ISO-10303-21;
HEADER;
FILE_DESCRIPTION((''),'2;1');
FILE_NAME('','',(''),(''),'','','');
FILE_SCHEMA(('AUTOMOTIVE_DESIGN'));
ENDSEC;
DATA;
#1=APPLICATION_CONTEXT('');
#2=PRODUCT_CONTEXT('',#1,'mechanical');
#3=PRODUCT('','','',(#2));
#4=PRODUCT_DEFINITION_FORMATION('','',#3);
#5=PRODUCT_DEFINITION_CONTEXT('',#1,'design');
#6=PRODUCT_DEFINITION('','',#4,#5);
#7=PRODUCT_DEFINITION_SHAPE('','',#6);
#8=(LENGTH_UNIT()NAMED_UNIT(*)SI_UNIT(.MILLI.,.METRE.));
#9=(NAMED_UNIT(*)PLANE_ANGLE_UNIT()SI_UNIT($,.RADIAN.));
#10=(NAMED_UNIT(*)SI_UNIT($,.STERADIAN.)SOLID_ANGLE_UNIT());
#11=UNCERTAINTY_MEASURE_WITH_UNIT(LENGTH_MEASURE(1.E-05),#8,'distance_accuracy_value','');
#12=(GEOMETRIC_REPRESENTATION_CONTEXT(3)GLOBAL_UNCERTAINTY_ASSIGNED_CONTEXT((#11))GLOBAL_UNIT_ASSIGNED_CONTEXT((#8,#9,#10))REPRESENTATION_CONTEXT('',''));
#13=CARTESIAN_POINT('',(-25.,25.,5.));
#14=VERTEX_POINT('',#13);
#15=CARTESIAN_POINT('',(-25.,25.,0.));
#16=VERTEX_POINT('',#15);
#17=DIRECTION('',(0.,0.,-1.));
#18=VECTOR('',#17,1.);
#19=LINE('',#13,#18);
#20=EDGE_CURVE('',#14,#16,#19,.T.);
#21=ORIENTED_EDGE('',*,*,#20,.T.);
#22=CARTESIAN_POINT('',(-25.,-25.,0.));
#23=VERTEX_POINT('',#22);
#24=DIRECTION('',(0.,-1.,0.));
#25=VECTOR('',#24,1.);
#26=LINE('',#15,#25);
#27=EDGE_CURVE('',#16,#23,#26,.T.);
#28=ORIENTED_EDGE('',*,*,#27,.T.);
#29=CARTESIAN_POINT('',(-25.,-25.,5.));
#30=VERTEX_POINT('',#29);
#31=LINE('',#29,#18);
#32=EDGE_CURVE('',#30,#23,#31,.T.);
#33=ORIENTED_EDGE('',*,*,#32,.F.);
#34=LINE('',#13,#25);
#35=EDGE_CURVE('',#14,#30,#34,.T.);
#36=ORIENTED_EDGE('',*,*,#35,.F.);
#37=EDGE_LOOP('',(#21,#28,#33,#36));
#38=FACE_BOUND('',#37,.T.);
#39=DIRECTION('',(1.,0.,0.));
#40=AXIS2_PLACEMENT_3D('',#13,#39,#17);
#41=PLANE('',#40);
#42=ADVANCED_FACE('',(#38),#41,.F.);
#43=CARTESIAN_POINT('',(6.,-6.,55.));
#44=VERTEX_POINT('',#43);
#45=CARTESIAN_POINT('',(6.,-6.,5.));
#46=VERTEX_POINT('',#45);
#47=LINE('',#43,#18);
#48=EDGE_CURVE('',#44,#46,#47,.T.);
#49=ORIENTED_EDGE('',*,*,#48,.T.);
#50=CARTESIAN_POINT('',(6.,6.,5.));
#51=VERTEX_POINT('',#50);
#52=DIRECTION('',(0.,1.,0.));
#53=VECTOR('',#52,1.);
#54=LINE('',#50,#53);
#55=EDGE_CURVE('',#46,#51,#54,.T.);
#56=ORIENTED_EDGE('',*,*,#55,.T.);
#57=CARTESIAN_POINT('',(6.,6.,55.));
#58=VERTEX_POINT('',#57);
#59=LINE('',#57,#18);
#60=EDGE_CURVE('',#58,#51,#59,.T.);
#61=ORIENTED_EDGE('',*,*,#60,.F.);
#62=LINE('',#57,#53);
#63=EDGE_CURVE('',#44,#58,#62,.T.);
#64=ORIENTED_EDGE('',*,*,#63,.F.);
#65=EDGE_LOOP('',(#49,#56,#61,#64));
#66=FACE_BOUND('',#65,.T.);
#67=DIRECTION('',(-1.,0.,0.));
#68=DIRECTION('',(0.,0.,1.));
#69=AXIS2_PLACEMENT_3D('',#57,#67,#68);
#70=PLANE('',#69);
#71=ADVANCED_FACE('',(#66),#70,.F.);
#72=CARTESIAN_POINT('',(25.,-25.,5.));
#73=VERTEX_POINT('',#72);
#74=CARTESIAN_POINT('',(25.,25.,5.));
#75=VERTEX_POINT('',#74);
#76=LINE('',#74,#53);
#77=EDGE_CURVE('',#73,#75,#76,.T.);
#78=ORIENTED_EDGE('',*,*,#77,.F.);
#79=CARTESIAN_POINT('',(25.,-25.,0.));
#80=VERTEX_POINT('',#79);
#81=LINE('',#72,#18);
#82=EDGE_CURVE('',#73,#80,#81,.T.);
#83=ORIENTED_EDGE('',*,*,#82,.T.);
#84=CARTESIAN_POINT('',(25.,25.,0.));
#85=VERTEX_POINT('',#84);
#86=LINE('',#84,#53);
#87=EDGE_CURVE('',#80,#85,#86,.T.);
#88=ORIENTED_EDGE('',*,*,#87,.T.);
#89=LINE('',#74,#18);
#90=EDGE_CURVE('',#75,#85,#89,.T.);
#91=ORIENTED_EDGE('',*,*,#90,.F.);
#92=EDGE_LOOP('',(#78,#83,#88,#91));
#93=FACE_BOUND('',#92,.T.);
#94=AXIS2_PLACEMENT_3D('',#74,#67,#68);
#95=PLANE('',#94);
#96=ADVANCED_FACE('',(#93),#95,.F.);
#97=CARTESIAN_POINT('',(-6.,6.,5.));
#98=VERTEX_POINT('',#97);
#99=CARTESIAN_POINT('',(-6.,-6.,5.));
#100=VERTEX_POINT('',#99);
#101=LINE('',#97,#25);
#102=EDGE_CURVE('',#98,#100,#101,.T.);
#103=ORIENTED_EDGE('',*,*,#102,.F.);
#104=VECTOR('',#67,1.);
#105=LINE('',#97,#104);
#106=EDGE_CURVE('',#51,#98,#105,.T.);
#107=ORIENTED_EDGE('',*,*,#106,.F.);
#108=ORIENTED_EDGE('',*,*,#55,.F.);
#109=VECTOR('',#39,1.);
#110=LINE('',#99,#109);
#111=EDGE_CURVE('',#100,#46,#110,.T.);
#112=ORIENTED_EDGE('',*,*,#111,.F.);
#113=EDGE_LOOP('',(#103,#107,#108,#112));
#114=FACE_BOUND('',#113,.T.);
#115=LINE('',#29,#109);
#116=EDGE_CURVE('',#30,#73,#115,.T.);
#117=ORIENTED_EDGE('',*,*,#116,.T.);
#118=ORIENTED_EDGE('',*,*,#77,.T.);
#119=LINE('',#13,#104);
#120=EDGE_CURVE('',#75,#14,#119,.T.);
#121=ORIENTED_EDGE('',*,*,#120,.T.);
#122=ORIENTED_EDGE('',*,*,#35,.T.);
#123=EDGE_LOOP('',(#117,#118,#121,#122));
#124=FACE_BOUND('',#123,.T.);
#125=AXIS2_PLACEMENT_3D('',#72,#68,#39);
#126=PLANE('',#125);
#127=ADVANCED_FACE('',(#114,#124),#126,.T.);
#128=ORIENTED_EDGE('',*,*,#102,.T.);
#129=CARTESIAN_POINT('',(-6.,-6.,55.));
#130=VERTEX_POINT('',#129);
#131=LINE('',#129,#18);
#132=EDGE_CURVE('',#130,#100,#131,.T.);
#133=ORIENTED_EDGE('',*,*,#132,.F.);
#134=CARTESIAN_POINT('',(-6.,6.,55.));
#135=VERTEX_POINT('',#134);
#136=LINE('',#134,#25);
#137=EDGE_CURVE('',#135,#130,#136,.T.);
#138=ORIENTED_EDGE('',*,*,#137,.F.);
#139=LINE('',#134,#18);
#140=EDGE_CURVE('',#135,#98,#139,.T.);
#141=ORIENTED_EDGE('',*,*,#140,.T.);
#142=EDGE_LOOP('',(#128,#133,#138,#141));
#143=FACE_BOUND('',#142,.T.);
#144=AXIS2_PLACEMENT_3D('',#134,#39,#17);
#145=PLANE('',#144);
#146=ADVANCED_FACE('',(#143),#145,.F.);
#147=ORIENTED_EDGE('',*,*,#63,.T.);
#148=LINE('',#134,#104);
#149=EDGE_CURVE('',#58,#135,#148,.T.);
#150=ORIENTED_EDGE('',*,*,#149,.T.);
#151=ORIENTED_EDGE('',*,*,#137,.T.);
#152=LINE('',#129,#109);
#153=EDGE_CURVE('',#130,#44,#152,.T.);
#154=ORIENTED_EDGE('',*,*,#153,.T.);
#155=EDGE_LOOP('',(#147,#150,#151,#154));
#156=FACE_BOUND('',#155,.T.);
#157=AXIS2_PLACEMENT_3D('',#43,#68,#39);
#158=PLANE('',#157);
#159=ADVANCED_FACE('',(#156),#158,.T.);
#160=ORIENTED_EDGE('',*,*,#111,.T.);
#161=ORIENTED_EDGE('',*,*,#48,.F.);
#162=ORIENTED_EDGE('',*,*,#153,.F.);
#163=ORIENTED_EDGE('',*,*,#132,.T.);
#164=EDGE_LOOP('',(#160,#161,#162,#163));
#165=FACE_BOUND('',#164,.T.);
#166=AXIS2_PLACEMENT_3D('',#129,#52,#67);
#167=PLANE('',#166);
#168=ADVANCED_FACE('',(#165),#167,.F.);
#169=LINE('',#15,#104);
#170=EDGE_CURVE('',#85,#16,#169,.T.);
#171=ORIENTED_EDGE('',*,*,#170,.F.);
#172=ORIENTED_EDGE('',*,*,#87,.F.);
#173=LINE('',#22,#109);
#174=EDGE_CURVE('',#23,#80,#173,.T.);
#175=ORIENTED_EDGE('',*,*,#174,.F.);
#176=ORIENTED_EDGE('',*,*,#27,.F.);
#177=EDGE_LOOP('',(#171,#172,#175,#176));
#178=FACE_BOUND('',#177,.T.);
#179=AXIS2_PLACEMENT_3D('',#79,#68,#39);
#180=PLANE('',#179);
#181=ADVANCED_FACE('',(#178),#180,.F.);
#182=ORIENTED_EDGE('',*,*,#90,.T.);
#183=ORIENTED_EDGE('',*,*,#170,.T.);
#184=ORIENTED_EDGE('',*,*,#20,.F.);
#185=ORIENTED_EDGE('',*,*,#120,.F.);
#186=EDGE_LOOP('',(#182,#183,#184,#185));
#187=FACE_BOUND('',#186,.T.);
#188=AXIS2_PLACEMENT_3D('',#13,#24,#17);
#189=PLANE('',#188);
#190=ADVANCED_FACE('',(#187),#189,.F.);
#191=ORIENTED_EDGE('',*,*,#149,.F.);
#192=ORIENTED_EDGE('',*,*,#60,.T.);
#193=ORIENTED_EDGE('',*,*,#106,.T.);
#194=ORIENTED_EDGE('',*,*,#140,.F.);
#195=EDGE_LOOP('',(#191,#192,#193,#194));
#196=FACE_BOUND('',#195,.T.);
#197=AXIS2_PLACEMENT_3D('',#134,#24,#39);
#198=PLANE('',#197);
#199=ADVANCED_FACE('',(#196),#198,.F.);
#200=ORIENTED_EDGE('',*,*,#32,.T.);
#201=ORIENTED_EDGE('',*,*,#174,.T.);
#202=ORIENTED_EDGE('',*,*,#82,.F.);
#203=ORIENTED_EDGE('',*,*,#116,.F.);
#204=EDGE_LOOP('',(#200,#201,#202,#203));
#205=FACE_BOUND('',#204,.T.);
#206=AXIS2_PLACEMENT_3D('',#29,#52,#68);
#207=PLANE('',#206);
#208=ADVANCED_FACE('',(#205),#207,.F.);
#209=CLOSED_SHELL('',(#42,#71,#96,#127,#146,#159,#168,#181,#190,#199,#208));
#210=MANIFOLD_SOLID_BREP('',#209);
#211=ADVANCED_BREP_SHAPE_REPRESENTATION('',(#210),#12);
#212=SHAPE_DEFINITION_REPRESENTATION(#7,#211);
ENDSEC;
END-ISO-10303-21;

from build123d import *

# Parameters (mm, degrees)
ESQUISSE1_W          = 50
ESQUISSE1_H          = 50
BASE_EXTRUSION_DEPTH = 5
ESQUISSE2_W          = 12
ESQUISSE2_H          = 12
BOSS_EXTRU_1_DEPTH   = 50


with BuildPart() as part:
    # Esquisse1 → Base-Extrusion (new body)
    with BuildSketch(Plane.XY):
        Rectangle(ESQUISSE1_W, ESQUISSE1_H)
    extrude(amount=BASE_EXTRUSION_DEPTH)

    # Esquisse2 → Boss.-Extru.1 (add)
    with BuildSketch(Plane.XY.offset(5)):
        Rectangle(ESQUISSE2_W, ESQUISSE2_H)
    extrude(amount=BOSS_EXTRU_1_DEPTH)


solid = part.part
